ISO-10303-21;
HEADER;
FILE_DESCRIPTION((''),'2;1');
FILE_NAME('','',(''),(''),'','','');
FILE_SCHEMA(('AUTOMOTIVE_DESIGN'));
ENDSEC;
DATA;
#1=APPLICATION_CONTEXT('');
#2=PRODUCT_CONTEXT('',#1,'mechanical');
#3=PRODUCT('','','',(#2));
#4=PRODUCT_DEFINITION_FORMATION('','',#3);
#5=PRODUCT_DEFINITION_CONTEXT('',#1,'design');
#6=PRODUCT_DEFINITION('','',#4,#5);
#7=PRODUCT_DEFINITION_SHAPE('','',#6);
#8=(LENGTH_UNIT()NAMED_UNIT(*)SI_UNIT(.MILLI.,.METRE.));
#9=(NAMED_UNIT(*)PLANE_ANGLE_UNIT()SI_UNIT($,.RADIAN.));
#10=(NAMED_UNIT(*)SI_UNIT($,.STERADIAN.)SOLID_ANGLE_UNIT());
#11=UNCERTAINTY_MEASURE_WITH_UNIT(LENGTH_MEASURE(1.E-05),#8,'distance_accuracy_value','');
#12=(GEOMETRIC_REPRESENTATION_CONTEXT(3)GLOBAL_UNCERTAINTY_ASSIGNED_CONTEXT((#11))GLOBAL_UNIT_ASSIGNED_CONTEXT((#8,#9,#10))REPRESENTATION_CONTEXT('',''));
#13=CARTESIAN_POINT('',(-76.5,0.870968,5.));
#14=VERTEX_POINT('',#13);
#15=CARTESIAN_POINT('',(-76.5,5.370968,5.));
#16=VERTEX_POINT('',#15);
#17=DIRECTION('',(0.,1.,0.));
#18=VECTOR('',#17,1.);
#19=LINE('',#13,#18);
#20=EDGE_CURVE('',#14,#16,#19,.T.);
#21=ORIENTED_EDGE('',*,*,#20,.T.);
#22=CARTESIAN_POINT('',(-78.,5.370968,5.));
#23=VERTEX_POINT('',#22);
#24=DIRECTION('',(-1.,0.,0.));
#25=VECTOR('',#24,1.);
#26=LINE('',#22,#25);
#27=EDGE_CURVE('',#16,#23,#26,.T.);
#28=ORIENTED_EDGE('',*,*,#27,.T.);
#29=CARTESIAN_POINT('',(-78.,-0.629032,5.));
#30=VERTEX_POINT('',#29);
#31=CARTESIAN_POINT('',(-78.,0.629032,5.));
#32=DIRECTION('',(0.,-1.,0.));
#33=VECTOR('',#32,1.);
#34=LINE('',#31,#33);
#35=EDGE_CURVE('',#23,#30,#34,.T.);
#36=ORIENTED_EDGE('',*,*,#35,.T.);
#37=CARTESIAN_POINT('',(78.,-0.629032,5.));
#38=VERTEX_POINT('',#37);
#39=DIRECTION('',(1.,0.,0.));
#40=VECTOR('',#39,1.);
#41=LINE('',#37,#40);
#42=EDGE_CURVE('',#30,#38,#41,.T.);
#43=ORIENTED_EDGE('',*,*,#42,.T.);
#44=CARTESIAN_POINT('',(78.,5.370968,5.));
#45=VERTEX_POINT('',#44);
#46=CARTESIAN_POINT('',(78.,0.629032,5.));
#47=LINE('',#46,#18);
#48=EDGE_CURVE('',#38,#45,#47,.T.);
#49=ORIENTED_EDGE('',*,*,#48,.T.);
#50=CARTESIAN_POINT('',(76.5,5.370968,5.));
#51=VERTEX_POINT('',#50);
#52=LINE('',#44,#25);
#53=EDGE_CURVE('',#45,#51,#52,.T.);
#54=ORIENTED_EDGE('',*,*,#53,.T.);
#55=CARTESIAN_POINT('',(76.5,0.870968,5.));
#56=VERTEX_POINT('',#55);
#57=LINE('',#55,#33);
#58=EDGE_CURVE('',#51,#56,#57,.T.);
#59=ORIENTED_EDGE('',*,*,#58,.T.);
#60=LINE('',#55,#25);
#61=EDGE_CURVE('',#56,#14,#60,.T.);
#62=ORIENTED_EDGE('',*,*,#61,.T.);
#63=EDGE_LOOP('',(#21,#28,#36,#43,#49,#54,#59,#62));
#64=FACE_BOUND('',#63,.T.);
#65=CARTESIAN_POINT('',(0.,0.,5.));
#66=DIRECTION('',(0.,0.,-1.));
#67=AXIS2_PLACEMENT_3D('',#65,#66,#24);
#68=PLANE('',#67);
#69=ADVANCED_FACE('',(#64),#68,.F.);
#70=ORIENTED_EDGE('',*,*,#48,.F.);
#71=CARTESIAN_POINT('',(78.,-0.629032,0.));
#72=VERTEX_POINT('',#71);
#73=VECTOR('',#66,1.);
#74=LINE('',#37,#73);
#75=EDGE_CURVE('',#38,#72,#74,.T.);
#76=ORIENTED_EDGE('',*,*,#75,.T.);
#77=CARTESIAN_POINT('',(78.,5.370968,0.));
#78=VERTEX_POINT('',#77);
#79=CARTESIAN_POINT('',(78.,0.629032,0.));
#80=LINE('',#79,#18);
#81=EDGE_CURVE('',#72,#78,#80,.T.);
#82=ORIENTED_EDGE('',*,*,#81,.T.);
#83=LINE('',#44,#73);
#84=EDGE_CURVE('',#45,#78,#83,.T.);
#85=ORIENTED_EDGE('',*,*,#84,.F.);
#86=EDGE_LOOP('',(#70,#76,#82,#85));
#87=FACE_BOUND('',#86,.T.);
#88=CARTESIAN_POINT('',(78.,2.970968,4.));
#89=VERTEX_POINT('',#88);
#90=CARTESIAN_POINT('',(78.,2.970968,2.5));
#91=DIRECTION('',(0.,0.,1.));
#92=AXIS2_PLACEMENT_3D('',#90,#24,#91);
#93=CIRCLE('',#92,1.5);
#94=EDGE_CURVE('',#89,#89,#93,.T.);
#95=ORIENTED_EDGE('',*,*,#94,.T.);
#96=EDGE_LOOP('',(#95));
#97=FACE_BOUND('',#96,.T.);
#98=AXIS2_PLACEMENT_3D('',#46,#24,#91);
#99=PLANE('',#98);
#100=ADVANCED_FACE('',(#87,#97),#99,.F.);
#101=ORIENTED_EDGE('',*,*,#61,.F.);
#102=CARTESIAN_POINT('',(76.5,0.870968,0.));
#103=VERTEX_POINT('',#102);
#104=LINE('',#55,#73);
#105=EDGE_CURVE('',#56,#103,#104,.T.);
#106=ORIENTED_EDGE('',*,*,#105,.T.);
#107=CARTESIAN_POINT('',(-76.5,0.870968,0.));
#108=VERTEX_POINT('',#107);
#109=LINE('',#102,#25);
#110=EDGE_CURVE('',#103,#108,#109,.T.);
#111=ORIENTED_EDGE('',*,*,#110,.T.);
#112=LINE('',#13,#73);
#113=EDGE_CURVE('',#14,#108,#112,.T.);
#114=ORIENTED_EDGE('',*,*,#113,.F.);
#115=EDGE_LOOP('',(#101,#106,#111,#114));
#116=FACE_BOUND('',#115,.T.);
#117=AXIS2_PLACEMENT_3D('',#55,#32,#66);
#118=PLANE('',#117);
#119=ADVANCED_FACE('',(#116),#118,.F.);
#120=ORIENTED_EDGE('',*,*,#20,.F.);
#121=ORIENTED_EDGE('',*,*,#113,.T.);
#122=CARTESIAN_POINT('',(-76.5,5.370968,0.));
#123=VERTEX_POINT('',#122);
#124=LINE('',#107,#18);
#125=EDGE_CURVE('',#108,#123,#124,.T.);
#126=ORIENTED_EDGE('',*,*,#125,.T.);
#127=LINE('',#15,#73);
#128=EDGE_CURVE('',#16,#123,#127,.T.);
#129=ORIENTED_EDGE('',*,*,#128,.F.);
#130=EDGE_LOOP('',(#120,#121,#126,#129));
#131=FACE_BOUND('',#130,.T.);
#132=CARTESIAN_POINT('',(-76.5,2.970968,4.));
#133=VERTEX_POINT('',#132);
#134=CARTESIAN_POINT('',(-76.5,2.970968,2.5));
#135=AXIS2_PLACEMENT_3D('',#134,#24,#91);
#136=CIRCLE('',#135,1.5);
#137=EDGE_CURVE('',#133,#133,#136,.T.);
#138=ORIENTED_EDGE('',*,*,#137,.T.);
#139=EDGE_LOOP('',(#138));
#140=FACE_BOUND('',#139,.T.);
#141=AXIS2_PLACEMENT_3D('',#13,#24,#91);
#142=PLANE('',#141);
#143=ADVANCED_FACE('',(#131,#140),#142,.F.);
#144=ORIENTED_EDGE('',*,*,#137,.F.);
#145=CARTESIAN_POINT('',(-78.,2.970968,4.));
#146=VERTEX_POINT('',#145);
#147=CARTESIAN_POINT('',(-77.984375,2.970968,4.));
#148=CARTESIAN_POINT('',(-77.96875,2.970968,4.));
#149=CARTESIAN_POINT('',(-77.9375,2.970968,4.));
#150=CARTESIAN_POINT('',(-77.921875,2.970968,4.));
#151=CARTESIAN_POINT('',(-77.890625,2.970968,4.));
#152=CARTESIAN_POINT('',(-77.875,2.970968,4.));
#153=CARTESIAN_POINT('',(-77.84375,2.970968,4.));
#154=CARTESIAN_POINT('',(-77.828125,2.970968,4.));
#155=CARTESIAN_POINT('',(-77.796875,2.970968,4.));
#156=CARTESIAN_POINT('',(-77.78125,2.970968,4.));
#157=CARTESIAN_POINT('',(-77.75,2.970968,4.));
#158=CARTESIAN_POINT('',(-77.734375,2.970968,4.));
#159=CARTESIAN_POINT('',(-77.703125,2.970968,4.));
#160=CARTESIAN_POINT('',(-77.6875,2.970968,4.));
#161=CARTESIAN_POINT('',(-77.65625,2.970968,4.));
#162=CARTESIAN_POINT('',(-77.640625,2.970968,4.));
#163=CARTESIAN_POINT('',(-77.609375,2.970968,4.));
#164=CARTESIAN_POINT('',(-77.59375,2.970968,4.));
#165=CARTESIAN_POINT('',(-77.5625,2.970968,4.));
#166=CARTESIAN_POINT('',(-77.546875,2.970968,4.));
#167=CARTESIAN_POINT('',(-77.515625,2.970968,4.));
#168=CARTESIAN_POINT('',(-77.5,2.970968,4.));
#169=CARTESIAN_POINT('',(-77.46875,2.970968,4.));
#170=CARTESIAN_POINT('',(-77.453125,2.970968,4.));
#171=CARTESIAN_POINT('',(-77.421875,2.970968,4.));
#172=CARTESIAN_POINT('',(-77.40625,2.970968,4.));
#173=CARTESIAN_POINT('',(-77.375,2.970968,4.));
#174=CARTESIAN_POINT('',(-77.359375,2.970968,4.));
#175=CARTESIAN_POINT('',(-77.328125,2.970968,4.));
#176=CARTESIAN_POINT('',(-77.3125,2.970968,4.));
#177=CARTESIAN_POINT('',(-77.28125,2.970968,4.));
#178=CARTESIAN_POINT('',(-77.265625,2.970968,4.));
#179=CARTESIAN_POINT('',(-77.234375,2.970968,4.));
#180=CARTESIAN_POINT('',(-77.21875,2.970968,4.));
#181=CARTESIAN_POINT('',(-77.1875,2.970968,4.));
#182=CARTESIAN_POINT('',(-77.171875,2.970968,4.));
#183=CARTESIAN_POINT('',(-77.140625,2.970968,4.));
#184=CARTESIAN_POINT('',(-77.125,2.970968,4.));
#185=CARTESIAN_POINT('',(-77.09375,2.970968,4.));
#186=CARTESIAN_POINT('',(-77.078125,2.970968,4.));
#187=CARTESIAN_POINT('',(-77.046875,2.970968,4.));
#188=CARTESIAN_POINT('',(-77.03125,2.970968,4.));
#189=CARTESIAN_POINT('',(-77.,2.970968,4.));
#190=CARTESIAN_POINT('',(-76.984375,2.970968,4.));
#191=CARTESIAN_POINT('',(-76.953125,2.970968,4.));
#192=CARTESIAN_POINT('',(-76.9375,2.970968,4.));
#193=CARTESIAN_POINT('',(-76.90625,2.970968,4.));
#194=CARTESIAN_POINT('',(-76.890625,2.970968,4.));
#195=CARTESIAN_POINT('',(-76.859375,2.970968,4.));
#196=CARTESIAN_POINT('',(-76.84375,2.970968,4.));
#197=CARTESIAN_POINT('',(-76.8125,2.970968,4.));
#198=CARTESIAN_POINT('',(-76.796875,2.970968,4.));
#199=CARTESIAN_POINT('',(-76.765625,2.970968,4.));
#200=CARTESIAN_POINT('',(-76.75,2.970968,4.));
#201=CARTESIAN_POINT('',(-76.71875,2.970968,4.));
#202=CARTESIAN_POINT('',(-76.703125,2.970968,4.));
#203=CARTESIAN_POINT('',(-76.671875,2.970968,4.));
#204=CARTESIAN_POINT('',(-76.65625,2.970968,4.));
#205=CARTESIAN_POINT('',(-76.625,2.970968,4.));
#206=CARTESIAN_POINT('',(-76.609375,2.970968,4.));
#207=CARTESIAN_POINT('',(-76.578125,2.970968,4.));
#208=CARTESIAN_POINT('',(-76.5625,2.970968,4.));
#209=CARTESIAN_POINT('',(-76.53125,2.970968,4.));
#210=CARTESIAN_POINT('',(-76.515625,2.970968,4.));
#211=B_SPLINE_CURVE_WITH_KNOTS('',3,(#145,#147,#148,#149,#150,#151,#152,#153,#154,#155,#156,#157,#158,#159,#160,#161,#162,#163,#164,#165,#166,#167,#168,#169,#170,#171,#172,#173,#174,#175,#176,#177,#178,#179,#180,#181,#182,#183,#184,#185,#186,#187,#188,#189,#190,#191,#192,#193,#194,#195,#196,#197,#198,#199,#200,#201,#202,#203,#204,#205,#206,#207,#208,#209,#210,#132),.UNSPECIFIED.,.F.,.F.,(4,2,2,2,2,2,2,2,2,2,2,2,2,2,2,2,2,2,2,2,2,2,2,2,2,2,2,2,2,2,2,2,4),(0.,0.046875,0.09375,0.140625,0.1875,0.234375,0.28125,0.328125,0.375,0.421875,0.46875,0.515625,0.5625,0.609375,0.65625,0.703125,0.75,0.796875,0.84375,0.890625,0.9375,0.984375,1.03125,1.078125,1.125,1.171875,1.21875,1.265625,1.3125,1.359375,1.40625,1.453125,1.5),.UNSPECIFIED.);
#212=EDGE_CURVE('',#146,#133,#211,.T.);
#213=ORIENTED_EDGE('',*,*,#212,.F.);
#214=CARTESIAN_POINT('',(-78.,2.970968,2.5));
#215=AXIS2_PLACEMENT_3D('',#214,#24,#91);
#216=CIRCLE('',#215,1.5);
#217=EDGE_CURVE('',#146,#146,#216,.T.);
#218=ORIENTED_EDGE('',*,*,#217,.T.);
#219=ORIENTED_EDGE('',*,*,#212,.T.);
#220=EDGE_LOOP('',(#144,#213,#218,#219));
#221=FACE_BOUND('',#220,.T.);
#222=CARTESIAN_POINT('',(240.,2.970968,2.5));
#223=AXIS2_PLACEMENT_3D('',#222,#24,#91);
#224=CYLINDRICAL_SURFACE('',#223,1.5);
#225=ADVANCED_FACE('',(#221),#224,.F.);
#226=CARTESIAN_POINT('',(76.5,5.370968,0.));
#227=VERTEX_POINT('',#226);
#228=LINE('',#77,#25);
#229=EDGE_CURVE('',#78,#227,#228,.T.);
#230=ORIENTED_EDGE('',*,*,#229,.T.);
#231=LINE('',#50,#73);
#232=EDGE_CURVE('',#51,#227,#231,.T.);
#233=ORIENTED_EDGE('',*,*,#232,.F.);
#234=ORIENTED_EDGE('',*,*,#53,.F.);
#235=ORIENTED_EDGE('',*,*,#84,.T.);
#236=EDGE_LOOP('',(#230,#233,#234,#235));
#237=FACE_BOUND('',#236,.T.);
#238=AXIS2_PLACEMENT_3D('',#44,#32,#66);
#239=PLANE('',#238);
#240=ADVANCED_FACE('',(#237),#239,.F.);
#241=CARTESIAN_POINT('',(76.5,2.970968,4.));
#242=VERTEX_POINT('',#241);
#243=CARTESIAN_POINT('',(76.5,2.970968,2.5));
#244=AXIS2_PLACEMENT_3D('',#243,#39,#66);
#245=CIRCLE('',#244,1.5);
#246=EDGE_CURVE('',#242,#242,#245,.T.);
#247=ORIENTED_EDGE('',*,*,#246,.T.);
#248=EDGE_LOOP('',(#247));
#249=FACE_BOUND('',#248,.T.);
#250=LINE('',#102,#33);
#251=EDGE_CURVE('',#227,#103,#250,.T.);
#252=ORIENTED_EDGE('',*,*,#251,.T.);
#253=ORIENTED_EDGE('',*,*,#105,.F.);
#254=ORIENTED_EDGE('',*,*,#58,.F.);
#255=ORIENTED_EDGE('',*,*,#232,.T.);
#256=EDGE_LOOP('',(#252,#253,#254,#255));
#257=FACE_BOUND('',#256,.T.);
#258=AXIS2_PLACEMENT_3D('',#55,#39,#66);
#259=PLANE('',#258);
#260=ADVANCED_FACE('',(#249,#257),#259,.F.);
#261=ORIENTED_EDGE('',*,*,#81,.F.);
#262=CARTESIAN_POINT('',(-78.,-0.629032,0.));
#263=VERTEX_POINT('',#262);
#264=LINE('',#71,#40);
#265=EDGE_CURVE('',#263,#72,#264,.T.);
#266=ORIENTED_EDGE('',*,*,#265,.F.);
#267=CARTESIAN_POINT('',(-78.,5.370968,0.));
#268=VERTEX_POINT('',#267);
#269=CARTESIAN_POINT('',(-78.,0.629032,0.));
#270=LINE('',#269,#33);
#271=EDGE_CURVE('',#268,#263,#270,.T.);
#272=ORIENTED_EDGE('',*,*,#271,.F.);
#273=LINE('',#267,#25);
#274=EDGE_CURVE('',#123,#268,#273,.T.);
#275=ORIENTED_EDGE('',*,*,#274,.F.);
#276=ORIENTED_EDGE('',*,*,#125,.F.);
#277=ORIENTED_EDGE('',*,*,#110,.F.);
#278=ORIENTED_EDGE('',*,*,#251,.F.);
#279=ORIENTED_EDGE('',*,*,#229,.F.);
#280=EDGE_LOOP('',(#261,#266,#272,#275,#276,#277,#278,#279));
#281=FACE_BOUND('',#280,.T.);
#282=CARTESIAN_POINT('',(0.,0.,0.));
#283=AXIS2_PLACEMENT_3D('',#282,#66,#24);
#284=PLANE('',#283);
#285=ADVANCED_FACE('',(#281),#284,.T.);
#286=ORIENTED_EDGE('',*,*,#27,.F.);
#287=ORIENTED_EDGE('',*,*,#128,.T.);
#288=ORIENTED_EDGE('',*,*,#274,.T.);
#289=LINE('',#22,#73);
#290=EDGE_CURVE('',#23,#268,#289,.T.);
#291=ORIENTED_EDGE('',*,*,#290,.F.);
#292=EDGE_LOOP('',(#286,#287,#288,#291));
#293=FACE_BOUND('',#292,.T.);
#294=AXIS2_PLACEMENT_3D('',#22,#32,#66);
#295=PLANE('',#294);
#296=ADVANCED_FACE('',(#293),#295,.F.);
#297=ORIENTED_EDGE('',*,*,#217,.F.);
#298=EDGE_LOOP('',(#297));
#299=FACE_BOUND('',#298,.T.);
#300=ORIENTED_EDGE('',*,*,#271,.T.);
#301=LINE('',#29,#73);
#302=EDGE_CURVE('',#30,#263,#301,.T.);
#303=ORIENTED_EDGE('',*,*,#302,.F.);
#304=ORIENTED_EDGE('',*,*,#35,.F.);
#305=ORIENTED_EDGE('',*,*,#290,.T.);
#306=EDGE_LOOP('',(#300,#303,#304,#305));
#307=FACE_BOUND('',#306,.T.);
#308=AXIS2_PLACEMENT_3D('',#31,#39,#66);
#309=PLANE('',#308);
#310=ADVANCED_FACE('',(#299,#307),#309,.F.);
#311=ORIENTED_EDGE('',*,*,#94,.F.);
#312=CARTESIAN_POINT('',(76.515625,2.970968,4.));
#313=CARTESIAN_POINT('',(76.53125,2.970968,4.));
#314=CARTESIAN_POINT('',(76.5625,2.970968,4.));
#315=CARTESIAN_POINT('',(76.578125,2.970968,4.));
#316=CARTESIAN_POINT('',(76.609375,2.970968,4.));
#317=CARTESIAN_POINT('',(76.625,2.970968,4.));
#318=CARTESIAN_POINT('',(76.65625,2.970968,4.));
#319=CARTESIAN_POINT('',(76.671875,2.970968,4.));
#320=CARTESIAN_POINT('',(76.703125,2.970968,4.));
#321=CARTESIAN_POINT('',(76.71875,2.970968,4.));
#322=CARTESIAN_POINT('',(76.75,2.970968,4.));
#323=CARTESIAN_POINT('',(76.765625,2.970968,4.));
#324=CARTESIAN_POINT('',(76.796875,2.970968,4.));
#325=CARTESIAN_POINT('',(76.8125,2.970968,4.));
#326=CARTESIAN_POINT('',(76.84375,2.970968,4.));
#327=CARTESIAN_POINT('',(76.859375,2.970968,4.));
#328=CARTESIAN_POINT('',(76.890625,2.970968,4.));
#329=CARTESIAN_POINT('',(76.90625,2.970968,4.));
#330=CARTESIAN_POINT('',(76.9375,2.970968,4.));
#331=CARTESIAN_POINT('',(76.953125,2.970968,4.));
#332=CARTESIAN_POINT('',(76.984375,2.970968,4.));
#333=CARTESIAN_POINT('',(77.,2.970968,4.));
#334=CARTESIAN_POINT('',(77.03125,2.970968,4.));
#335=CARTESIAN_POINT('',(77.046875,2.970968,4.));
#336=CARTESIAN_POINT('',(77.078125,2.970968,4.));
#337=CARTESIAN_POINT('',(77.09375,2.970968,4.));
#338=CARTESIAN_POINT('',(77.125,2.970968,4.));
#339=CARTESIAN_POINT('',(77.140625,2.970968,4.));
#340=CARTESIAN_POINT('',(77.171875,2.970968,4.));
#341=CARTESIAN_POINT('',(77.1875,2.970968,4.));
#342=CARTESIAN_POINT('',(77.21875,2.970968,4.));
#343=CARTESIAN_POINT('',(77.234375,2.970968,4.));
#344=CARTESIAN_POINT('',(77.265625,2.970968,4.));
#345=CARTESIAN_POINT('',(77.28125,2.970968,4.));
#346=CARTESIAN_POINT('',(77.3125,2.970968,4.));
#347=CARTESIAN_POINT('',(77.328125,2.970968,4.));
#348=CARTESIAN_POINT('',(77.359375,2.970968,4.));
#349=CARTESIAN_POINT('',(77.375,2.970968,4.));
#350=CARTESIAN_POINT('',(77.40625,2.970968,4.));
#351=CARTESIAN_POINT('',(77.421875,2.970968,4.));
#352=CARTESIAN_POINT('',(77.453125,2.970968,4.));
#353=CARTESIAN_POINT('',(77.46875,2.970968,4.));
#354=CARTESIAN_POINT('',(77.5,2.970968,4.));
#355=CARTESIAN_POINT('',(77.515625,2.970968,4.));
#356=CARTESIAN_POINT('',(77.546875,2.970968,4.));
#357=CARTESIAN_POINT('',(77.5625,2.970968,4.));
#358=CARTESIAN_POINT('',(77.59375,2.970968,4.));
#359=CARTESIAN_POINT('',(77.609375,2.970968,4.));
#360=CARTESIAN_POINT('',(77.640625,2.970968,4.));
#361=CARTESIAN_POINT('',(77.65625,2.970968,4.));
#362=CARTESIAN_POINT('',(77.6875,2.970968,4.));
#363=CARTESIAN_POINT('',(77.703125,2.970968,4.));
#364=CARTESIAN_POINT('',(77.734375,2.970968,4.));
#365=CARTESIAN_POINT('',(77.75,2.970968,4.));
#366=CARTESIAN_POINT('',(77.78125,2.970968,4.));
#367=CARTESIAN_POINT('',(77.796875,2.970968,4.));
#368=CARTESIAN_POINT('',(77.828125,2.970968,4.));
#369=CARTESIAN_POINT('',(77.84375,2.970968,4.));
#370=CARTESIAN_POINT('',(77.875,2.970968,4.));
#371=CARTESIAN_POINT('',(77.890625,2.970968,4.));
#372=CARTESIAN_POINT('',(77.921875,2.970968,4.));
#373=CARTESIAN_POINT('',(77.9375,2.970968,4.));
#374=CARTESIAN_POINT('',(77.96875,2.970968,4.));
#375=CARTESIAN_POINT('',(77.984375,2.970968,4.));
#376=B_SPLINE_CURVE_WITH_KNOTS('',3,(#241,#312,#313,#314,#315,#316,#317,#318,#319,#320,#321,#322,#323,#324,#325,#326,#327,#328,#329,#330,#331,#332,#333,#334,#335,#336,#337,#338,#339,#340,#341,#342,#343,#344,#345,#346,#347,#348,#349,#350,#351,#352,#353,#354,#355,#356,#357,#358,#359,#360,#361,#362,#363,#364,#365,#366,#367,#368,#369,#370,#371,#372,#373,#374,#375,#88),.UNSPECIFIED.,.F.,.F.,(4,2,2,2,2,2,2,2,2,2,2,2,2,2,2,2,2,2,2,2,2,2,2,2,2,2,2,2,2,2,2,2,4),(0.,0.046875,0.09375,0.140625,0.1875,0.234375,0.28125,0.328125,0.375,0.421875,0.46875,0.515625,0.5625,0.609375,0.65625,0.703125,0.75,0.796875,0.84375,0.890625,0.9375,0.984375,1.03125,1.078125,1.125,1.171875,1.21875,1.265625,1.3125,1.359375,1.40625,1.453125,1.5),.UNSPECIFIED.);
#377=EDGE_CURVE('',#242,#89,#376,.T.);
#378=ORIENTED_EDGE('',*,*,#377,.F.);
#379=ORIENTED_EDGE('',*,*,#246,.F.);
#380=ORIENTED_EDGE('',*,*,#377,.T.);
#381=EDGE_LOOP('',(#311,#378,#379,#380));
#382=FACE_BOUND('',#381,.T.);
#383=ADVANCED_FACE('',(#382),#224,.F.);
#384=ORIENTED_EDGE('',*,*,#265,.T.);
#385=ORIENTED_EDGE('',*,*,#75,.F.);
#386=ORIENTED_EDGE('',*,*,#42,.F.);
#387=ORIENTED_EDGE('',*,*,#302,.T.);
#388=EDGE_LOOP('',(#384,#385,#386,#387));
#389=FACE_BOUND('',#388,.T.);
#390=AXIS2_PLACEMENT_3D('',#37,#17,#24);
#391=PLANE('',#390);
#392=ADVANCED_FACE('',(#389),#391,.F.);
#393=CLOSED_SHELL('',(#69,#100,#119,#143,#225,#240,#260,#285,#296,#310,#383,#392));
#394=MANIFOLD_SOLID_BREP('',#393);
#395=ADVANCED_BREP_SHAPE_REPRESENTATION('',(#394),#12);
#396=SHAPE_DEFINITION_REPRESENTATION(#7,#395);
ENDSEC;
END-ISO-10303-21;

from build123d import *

# Parameters (mm, degrees)
EXTRUDE_1_DEPTH     = 5
SKETCH_2_R          = 1.5
CUT_EXTRUDE_1_DEPTH = 318


with BuildPart() as part:
    # 草图1 → 凸台-拉伸1 (new body)
    with BuildSketch(Plane.XY):
        Polygon((78, 5.370967742), (76.5, 5.370967742), (76.5, 0.870967742), (-76.5, 0.870967742), (-76.5, 5.370967742), (-78, 5.370967742), (-78, 0.629032258), (-78, -0.629032258), (78, -0.629032258), (78, 0.629032258), align=None)
    extrude(amount=EXTRUDE_1_DEPTH)

    # 草图2 → 切除-拉伸1 (cut)
    with BuildSketch(Plane.ZY.offset(78)):
        with Locations((2.5, 2.970967742)):
            Circle(SKETCH_2_R)
    extrude(amount=-CUT_EXTRUDE_1_DEPTH, mode=Mode.SUBTRACT)


solid = part.part
